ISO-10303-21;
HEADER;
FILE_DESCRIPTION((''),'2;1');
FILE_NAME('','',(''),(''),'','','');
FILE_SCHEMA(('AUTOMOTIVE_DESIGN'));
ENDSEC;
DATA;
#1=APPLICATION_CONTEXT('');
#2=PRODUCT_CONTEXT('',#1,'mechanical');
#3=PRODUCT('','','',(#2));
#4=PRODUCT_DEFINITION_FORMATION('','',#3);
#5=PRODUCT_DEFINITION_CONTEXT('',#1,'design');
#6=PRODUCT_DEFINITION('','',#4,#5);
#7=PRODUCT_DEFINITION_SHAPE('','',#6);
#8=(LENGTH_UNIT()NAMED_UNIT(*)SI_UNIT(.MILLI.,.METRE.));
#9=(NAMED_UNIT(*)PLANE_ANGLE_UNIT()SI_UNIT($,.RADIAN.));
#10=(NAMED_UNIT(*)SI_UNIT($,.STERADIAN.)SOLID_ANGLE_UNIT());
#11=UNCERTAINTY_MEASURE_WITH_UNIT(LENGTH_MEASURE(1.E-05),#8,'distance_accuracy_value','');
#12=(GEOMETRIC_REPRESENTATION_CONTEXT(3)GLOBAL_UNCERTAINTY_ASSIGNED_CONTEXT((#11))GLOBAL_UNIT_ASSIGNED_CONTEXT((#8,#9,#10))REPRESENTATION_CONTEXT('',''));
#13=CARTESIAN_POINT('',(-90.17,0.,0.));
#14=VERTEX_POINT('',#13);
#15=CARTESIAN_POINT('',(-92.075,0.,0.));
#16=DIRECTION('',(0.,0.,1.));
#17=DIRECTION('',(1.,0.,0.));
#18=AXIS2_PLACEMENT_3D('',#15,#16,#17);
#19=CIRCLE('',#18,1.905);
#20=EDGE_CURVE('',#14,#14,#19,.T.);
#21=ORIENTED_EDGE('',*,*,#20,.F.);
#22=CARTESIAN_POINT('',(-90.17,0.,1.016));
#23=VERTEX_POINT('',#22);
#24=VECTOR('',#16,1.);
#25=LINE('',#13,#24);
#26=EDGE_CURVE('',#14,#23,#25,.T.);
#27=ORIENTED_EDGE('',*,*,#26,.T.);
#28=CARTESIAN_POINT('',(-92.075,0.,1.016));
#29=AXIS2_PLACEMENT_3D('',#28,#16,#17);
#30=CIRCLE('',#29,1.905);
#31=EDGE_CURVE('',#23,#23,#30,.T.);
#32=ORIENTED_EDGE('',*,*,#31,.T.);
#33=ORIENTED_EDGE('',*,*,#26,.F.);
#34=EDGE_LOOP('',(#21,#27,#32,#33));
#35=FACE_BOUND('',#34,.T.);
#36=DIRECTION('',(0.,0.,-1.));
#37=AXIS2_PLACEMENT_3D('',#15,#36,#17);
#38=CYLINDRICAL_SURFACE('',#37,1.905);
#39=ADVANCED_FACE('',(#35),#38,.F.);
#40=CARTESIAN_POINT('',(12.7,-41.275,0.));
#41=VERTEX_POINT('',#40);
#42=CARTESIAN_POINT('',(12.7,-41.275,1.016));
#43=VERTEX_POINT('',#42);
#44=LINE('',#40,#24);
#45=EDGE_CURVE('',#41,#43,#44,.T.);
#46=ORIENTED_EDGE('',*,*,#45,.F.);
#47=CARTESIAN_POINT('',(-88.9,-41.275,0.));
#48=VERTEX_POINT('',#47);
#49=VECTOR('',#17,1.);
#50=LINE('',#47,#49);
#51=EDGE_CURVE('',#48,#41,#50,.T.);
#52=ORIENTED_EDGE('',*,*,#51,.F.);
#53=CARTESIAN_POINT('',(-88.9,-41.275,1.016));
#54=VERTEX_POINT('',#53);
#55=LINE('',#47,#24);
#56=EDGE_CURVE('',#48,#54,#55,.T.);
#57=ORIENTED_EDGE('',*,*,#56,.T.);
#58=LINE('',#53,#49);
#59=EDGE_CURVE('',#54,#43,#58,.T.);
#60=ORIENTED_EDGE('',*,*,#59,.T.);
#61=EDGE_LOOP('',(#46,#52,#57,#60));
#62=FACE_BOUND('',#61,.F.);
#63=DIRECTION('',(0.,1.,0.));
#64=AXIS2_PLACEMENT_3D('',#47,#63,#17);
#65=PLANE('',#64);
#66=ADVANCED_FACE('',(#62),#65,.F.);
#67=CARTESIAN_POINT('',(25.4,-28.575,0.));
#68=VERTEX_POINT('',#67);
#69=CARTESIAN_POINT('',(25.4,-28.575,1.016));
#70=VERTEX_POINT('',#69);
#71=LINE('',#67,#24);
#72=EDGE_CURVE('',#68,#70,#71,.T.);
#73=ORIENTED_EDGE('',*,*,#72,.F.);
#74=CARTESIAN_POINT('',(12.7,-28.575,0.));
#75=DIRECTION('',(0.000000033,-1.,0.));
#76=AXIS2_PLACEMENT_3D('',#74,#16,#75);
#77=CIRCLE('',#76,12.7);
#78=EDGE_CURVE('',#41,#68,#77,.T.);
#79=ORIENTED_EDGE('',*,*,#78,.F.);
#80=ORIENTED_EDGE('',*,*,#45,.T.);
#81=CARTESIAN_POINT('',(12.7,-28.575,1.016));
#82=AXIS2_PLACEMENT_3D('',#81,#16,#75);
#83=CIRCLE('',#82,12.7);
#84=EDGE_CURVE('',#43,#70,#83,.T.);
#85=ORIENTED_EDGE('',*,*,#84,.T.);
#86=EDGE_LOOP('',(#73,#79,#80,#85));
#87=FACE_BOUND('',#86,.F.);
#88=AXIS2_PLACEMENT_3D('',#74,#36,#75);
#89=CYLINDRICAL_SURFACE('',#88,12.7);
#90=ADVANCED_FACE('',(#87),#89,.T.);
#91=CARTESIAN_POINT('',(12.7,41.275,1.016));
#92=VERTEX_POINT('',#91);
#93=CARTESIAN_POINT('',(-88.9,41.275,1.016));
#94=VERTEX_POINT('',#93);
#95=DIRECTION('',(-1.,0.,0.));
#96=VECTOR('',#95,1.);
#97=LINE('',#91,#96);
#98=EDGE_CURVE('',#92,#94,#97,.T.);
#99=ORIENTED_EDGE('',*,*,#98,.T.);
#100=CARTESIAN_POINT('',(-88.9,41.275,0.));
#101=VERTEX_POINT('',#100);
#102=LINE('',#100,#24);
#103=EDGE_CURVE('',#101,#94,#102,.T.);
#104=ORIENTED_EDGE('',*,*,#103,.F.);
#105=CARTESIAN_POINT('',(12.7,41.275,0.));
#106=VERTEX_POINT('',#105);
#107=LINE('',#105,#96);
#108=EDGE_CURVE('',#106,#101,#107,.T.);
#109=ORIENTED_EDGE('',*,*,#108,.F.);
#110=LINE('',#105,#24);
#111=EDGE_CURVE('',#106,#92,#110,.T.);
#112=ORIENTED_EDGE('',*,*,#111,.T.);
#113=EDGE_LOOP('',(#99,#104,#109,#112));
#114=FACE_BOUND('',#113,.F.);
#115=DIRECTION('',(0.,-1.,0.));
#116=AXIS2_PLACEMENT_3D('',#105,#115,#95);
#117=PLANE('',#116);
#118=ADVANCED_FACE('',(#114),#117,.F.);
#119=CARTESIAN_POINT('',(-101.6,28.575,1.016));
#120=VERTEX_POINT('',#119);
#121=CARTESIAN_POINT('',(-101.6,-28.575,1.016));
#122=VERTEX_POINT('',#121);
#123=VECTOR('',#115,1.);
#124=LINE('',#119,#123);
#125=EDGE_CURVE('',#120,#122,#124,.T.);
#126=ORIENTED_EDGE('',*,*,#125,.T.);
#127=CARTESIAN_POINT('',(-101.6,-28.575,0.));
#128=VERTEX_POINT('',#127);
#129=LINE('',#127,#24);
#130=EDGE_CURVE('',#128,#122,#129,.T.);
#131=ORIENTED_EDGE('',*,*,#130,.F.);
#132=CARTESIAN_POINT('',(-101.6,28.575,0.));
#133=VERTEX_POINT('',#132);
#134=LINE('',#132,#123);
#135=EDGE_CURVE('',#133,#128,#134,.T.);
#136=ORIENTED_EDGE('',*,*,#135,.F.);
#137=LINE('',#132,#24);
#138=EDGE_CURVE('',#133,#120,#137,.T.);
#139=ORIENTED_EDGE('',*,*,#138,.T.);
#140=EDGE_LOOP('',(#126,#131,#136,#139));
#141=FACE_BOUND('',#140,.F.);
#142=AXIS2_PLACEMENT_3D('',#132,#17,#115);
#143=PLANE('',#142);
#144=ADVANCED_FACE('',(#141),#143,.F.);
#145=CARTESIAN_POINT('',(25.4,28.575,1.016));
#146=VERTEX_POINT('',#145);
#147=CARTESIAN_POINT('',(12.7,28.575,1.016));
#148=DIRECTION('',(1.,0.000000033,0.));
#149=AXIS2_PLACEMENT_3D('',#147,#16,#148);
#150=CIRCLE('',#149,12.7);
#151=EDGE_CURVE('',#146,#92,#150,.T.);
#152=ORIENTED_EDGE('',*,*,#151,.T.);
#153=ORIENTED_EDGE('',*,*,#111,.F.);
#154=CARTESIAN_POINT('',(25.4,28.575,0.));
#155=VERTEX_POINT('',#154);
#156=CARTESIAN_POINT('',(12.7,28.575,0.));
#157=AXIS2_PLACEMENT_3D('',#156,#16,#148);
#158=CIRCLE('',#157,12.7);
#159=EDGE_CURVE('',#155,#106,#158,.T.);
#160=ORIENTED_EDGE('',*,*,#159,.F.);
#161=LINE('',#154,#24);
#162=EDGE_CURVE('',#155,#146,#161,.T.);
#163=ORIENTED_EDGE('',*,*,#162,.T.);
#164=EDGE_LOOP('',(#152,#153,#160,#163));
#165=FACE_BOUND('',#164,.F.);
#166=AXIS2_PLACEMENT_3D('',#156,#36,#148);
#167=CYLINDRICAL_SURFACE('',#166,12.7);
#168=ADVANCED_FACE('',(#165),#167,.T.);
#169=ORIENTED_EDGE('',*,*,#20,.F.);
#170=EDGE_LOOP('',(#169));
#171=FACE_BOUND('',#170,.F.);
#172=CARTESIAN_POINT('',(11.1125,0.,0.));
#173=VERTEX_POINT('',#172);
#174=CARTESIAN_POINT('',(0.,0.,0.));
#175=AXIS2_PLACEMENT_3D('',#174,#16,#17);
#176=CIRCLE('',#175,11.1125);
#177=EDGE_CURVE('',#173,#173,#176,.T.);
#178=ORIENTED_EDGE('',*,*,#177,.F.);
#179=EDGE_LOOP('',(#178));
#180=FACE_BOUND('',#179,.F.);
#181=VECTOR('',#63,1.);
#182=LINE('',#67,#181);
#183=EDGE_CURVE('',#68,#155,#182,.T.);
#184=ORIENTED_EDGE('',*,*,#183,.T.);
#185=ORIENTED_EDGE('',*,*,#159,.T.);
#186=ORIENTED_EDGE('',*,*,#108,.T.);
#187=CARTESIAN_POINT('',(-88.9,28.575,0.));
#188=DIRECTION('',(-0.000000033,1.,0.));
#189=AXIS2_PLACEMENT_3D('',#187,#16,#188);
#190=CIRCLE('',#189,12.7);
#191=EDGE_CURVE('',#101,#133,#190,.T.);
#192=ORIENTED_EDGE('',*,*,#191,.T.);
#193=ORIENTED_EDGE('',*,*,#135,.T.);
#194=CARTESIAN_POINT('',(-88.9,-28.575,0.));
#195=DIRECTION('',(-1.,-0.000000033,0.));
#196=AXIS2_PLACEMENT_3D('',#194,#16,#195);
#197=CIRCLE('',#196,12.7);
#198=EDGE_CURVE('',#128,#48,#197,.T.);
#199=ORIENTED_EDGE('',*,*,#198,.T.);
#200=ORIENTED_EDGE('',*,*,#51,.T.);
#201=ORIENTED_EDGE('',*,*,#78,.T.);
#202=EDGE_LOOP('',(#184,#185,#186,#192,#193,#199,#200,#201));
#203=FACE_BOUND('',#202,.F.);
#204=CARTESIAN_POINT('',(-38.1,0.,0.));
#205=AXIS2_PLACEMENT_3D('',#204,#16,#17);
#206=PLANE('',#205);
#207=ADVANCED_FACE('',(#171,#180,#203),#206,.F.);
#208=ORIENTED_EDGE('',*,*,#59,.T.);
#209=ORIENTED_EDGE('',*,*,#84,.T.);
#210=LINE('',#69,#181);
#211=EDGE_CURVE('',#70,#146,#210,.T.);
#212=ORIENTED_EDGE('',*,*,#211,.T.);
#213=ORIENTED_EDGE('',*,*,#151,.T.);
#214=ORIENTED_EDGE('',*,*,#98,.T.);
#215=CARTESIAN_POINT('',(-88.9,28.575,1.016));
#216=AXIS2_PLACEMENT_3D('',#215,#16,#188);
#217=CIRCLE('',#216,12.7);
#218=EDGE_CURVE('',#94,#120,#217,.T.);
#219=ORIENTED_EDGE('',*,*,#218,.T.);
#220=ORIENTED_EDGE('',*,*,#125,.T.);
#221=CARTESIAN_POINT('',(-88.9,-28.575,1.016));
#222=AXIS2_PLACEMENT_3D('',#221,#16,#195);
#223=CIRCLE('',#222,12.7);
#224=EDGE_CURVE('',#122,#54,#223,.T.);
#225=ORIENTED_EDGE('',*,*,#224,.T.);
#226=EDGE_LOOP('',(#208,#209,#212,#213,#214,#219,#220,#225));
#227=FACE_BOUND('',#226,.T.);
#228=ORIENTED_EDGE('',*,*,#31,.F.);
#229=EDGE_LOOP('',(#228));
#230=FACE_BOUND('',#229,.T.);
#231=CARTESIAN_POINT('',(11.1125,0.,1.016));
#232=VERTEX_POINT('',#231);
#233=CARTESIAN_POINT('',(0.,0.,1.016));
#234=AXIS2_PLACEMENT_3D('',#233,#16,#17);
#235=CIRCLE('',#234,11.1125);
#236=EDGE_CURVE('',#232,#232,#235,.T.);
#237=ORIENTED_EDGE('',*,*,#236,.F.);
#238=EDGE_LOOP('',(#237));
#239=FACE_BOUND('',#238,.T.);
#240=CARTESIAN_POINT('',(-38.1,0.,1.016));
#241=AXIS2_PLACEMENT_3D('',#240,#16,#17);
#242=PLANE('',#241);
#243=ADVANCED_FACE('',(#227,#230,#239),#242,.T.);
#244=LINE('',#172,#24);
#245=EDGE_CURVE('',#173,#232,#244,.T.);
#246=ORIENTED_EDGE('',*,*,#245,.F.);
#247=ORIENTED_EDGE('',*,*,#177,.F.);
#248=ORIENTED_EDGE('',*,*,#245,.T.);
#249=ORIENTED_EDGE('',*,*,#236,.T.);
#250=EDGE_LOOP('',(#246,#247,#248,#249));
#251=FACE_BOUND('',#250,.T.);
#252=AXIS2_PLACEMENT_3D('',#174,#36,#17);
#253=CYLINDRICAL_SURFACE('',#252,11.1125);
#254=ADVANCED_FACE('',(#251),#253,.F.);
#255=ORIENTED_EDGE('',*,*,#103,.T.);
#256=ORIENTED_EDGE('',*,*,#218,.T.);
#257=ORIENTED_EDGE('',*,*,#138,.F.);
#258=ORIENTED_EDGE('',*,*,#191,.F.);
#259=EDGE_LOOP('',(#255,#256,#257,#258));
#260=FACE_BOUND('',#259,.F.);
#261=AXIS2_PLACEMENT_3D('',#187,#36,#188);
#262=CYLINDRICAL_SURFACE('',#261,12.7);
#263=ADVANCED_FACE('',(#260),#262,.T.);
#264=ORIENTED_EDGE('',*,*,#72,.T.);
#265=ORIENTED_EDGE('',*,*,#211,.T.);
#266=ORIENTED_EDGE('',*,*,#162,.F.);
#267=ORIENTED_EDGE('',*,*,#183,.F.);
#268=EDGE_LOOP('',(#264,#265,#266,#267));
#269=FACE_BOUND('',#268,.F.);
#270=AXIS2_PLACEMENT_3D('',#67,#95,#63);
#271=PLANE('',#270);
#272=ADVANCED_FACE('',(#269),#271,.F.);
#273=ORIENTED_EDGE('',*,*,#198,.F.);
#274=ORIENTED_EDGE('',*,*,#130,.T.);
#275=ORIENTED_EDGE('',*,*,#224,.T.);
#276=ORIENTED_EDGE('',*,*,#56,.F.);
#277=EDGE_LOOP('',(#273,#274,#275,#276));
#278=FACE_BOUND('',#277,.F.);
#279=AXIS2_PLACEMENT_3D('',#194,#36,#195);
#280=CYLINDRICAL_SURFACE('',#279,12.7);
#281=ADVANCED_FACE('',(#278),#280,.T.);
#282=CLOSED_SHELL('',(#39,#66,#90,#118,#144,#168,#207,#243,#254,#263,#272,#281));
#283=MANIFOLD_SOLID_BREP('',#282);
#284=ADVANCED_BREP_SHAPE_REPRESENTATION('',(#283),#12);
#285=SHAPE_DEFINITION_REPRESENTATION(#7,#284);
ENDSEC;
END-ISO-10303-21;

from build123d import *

# Parameters (mm, degrees)
F0_R     = 1.905
F0_R_2   = 11.1125
F1_DEPTH = 1.016


with BuildPart() as f1:
    # F0 (on Top) → F1 (new body)
    with BuildSketch(Plane.XY):
        with BuildLine():
            Line((12.7, 41.275), (-88.9, 41.275))
            ThreePointArc((-88.9, 41.275), (-97.880256, 37.555256), (-101.6, 28.575))
            Line((-101.6, 28.575), (-101.6, -28.575))
            ThreePointArc((-101.6, -28.575), (-97.880256, -37.555256), (-88.9, -41.275))
            Line((-88.9, -41.275), (12.7, -41.275))
            ThreePointArc((12.7, -41.275), (21.680256, -37.555256), (25.4, -28.575))
            Line((25.4, -28.575), (25.4, 28.575))
            ThreePointArc((25.4, 28.575), (21.680256, 37.555256), (12.7, 41.275))
        make_face()
        with Locations((-92.075, 0)):
            Circle(F0_R, mode=Mode.SUBTRACT)
        Circle(F0_R_2, mode=Mode.SUBTRACT)
    extrude(amount=F1_DEPTH)


solid = f1.part
